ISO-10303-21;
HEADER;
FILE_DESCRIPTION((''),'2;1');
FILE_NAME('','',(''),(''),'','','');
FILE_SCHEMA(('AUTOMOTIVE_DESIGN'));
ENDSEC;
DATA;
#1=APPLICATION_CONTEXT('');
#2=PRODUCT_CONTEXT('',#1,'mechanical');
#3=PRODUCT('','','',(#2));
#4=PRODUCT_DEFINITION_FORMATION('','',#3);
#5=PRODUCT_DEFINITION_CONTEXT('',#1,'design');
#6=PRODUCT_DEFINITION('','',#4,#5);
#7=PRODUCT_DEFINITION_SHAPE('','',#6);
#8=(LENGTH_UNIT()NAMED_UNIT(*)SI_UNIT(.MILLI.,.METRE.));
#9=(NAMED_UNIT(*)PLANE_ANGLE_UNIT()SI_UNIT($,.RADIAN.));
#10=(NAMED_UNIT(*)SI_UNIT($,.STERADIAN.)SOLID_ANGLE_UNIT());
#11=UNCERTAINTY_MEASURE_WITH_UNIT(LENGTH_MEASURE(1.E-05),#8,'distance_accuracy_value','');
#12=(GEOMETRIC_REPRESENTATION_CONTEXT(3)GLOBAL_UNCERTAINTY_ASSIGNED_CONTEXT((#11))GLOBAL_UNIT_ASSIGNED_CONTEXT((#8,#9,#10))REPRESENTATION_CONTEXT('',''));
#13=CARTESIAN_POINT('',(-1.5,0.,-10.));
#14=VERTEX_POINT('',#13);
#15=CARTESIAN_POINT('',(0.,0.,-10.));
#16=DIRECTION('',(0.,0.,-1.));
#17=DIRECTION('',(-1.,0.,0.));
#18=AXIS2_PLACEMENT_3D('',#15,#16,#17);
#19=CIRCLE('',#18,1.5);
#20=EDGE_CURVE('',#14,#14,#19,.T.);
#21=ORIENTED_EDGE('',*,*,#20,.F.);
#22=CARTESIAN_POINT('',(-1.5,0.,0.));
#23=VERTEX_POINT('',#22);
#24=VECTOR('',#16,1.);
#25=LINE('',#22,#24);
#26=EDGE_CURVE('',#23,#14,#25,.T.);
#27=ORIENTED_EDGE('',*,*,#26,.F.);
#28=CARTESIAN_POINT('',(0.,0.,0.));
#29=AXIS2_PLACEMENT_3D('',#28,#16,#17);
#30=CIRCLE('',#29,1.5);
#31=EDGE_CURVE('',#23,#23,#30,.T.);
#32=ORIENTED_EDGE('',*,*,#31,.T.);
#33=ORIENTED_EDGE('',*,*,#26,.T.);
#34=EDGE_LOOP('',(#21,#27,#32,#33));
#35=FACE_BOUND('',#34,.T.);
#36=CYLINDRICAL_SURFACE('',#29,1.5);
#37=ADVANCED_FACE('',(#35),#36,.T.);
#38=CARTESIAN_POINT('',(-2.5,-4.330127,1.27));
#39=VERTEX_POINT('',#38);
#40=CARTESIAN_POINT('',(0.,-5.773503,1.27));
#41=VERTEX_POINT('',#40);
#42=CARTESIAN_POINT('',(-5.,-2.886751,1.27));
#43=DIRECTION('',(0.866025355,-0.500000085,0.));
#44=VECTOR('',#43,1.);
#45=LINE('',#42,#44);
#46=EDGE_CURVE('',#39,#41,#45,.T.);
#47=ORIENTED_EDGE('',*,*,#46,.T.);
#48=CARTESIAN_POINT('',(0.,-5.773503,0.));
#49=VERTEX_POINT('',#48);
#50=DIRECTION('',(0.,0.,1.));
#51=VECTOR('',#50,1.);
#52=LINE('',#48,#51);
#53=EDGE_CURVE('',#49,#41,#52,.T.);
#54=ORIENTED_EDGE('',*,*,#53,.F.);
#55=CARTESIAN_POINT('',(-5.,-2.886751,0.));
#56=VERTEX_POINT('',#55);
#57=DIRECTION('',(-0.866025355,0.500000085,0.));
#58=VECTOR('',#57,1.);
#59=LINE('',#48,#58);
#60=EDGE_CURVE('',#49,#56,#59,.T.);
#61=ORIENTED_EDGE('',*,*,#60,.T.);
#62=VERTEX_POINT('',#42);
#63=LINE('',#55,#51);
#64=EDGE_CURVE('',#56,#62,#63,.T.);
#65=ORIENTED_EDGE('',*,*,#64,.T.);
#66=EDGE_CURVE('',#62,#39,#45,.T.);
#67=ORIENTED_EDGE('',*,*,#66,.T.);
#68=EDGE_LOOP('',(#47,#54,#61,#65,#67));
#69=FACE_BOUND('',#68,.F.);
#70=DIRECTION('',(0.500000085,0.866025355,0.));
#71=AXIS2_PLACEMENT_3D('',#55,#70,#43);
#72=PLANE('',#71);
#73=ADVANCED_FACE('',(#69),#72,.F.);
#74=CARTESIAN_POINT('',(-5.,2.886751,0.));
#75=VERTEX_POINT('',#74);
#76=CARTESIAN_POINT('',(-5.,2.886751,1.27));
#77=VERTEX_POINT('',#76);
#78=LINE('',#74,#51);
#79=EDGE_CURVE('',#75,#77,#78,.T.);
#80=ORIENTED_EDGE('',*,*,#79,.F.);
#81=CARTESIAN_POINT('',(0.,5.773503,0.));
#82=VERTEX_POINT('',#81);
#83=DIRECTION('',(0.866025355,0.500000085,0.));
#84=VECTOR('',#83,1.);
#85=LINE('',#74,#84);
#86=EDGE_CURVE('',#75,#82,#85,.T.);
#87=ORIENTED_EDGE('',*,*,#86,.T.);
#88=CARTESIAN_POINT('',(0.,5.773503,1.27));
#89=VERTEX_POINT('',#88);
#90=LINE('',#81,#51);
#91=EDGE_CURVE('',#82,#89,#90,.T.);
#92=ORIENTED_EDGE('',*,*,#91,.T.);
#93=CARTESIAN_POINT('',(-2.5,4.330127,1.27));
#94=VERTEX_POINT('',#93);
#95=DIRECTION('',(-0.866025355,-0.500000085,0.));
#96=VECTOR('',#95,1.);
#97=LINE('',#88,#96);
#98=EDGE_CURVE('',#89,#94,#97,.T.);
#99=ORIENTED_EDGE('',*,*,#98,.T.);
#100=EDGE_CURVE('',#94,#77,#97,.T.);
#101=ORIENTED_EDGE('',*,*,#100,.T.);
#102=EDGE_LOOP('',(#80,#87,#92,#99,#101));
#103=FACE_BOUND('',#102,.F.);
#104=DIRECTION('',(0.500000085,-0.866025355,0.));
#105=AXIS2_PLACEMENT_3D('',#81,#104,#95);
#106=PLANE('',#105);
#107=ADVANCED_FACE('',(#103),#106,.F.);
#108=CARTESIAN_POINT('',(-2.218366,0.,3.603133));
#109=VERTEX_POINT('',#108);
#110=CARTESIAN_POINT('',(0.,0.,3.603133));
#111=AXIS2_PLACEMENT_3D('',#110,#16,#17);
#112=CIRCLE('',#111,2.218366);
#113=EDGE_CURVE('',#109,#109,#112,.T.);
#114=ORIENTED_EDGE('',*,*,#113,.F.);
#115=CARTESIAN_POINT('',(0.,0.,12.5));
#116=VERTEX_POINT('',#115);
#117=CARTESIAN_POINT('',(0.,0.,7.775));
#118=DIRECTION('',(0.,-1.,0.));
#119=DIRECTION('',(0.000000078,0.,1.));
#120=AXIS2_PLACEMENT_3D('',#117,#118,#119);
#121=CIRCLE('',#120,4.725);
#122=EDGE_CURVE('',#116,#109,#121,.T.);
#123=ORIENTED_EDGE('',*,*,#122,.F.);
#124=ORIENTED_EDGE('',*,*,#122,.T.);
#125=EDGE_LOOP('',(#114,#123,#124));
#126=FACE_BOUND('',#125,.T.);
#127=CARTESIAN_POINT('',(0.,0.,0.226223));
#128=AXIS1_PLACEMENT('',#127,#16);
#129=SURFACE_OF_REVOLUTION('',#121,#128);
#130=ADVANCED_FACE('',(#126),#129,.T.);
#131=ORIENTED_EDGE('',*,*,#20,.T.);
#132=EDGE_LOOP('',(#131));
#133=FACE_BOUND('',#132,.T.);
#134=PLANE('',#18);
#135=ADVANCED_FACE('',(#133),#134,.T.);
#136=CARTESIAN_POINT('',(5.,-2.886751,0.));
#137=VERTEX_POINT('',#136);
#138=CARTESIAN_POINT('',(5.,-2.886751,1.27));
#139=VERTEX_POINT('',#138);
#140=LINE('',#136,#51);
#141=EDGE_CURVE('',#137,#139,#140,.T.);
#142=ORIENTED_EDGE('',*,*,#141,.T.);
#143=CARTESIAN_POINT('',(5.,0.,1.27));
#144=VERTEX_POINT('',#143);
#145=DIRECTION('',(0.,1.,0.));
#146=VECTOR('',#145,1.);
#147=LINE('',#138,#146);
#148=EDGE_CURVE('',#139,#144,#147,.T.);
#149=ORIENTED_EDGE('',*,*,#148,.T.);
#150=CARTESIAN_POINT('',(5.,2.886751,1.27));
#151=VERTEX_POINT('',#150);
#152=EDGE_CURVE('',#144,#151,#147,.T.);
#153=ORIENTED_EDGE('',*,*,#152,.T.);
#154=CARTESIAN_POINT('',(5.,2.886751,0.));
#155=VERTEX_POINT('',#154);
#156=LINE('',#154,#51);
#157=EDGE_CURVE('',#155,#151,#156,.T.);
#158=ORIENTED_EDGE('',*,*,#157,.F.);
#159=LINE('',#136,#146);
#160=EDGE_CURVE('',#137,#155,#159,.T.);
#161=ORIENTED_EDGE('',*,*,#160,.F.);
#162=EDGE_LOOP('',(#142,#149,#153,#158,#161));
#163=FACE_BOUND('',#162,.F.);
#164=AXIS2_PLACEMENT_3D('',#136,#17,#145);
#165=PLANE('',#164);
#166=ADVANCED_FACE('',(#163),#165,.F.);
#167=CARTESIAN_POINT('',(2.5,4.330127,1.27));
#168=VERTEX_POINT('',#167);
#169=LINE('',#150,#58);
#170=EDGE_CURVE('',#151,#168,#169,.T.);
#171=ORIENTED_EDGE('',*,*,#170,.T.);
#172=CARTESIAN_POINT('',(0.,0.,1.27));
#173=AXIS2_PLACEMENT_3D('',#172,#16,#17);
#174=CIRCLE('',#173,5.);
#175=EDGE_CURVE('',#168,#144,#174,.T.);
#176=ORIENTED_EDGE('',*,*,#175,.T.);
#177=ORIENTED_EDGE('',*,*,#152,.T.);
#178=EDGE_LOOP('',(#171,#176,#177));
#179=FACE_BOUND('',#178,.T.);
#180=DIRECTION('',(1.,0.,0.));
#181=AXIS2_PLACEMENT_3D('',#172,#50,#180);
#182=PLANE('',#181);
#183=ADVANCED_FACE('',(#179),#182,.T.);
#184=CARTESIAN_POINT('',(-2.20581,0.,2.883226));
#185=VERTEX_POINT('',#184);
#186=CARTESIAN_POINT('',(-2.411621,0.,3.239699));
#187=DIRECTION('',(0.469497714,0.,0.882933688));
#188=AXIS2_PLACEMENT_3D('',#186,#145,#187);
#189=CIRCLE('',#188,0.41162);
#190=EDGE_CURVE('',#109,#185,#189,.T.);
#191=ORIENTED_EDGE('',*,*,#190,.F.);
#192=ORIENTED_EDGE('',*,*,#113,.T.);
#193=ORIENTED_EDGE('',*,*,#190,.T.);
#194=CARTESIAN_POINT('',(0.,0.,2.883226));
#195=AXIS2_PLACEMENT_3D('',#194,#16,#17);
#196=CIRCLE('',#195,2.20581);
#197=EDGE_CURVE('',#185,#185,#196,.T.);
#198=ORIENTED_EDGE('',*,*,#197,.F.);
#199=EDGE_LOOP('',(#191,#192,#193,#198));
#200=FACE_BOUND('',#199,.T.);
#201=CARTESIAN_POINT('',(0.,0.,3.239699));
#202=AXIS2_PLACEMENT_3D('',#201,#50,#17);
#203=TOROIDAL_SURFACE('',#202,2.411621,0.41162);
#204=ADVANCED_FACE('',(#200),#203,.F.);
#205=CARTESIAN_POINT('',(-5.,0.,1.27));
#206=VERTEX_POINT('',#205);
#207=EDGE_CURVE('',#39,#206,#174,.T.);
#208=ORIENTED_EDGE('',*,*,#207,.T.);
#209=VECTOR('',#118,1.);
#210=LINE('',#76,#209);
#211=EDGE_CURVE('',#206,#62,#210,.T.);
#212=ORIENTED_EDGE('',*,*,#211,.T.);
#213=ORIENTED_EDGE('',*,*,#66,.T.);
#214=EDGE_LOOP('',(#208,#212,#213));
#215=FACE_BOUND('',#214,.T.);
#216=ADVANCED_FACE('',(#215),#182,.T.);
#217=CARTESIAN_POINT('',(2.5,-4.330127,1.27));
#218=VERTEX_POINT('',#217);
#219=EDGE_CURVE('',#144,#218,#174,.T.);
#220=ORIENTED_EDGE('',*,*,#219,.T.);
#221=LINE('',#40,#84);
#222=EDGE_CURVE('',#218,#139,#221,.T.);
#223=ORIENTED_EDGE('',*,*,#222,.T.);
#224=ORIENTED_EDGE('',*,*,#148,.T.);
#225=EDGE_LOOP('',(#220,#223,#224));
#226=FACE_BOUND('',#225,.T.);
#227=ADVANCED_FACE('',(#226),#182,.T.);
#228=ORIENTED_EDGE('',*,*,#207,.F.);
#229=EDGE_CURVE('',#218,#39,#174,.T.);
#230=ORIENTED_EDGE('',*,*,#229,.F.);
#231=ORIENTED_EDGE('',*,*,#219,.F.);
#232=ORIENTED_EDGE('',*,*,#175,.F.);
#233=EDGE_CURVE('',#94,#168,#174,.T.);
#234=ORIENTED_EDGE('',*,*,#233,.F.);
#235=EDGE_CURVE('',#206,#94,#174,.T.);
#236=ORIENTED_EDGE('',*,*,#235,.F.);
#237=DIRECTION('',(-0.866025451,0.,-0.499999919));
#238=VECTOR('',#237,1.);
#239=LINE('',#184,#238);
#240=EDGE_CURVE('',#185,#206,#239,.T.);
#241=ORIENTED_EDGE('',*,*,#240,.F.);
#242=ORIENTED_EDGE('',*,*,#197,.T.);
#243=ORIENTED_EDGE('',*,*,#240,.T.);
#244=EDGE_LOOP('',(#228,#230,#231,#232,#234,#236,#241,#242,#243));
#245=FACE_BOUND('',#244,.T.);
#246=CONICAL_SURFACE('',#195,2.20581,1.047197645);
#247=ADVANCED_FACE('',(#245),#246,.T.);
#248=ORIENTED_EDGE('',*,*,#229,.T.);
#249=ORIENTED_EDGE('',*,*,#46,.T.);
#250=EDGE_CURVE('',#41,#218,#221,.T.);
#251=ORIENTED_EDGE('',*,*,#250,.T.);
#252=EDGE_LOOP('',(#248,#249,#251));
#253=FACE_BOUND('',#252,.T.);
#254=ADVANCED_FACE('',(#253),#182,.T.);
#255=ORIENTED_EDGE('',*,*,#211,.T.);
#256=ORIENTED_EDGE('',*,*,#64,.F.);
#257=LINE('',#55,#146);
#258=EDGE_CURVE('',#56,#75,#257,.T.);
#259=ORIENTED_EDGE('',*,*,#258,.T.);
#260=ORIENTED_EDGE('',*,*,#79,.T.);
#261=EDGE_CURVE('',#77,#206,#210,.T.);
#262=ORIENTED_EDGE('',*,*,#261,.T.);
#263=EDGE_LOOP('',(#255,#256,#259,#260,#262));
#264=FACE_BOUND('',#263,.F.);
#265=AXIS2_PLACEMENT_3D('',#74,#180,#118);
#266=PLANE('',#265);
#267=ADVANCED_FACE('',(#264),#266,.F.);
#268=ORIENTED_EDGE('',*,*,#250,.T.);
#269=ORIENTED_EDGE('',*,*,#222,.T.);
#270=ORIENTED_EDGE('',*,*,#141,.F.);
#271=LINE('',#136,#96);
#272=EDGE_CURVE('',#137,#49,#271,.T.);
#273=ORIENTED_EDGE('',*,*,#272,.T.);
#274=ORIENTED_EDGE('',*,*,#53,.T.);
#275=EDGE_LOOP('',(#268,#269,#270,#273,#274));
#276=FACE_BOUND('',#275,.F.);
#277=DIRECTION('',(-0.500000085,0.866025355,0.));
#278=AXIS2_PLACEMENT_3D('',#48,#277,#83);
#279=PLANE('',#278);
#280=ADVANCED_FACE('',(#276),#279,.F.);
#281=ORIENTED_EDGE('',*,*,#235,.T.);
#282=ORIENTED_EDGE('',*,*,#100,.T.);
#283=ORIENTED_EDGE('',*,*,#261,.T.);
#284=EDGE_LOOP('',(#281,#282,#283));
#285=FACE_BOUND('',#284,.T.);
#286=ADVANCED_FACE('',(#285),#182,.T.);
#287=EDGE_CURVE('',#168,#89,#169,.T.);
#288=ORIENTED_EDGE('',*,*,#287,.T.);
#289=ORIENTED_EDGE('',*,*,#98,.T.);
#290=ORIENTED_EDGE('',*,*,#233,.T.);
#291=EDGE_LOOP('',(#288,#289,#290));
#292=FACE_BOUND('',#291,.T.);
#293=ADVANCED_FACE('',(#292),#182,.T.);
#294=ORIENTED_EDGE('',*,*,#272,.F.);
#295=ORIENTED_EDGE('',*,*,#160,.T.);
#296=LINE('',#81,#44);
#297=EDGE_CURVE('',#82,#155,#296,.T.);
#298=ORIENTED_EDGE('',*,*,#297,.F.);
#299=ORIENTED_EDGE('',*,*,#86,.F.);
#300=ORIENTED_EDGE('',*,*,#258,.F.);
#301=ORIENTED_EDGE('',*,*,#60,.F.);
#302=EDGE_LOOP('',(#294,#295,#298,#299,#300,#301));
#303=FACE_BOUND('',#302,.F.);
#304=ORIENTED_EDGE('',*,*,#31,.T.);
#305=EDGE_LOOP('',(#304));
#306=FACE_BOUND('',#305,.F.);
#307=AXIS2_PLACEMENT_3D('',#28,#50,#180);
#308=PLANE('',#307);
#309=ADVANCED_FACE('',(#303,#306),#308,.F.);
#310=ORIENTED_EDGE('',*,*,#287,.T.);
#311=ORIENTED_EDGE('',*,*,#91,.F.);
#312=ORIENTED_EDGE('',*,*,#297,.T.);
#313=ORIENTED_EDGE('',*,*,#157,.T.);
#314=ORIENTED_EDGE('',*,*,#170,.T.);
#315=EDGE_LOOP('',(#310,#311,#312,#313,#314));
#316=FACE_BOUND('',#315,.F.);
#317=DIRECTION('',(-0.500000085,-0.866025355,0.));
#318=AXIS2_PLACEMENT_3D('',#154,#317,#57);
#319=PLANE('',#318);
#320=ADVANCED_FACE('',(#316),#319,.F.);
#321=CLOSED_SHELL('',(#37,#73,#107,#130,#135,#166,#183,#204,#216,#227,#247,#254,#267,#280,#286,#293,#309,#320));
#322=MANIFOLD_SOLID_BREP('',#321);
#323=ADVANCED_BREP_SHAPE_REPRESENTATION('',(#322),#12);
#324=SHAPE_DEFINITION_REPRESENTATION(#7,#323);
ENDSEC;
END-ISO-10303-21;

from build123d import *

# Parameters (mm, degrees)
F3_DEPTH = 1.27


with BuildPart() as f1:
    # F0 (on Front) → F1 (revolve)
    with BuildSketch(Plane.XZ):
        with BuildLine():
            Line((0, 0), (0, 12.5))
            ThreePointArc((0, 12.5), (-4.584632, 8.918143), (-2.218366, 3.603133))
            ThreePointArc((-2.218366, 3.603133), (-2.000063, 3.246878), (-2.20581, 2.883226))
            Line((-2.20581, 2.883226), (-5, 1.27))
            Line((-5, 1.27), (-5, 0))
            Line((-5, 0), (-1.5, 0))
            Line((-1.5, 0), (-1.5, -10))
            Line((-1.5, -10), (0, -10))
            Line((0, -10), (0, 0))
        make_face()
    revolve(axis=Axis((0, 0, 0.226223), (0, 0, -1)))

    # F2 (on Top) → F3 (join)
    with BuildSketch(Plane.XY):
        Polygon((5, -2.886751), (5, 2.886751), (0, 5.773503), (-5, 2.886751), (-5, -2.886751), (0, -5.773503), align=None)
    extrude(amount=F3_DEPTH)


solid = f1.part
